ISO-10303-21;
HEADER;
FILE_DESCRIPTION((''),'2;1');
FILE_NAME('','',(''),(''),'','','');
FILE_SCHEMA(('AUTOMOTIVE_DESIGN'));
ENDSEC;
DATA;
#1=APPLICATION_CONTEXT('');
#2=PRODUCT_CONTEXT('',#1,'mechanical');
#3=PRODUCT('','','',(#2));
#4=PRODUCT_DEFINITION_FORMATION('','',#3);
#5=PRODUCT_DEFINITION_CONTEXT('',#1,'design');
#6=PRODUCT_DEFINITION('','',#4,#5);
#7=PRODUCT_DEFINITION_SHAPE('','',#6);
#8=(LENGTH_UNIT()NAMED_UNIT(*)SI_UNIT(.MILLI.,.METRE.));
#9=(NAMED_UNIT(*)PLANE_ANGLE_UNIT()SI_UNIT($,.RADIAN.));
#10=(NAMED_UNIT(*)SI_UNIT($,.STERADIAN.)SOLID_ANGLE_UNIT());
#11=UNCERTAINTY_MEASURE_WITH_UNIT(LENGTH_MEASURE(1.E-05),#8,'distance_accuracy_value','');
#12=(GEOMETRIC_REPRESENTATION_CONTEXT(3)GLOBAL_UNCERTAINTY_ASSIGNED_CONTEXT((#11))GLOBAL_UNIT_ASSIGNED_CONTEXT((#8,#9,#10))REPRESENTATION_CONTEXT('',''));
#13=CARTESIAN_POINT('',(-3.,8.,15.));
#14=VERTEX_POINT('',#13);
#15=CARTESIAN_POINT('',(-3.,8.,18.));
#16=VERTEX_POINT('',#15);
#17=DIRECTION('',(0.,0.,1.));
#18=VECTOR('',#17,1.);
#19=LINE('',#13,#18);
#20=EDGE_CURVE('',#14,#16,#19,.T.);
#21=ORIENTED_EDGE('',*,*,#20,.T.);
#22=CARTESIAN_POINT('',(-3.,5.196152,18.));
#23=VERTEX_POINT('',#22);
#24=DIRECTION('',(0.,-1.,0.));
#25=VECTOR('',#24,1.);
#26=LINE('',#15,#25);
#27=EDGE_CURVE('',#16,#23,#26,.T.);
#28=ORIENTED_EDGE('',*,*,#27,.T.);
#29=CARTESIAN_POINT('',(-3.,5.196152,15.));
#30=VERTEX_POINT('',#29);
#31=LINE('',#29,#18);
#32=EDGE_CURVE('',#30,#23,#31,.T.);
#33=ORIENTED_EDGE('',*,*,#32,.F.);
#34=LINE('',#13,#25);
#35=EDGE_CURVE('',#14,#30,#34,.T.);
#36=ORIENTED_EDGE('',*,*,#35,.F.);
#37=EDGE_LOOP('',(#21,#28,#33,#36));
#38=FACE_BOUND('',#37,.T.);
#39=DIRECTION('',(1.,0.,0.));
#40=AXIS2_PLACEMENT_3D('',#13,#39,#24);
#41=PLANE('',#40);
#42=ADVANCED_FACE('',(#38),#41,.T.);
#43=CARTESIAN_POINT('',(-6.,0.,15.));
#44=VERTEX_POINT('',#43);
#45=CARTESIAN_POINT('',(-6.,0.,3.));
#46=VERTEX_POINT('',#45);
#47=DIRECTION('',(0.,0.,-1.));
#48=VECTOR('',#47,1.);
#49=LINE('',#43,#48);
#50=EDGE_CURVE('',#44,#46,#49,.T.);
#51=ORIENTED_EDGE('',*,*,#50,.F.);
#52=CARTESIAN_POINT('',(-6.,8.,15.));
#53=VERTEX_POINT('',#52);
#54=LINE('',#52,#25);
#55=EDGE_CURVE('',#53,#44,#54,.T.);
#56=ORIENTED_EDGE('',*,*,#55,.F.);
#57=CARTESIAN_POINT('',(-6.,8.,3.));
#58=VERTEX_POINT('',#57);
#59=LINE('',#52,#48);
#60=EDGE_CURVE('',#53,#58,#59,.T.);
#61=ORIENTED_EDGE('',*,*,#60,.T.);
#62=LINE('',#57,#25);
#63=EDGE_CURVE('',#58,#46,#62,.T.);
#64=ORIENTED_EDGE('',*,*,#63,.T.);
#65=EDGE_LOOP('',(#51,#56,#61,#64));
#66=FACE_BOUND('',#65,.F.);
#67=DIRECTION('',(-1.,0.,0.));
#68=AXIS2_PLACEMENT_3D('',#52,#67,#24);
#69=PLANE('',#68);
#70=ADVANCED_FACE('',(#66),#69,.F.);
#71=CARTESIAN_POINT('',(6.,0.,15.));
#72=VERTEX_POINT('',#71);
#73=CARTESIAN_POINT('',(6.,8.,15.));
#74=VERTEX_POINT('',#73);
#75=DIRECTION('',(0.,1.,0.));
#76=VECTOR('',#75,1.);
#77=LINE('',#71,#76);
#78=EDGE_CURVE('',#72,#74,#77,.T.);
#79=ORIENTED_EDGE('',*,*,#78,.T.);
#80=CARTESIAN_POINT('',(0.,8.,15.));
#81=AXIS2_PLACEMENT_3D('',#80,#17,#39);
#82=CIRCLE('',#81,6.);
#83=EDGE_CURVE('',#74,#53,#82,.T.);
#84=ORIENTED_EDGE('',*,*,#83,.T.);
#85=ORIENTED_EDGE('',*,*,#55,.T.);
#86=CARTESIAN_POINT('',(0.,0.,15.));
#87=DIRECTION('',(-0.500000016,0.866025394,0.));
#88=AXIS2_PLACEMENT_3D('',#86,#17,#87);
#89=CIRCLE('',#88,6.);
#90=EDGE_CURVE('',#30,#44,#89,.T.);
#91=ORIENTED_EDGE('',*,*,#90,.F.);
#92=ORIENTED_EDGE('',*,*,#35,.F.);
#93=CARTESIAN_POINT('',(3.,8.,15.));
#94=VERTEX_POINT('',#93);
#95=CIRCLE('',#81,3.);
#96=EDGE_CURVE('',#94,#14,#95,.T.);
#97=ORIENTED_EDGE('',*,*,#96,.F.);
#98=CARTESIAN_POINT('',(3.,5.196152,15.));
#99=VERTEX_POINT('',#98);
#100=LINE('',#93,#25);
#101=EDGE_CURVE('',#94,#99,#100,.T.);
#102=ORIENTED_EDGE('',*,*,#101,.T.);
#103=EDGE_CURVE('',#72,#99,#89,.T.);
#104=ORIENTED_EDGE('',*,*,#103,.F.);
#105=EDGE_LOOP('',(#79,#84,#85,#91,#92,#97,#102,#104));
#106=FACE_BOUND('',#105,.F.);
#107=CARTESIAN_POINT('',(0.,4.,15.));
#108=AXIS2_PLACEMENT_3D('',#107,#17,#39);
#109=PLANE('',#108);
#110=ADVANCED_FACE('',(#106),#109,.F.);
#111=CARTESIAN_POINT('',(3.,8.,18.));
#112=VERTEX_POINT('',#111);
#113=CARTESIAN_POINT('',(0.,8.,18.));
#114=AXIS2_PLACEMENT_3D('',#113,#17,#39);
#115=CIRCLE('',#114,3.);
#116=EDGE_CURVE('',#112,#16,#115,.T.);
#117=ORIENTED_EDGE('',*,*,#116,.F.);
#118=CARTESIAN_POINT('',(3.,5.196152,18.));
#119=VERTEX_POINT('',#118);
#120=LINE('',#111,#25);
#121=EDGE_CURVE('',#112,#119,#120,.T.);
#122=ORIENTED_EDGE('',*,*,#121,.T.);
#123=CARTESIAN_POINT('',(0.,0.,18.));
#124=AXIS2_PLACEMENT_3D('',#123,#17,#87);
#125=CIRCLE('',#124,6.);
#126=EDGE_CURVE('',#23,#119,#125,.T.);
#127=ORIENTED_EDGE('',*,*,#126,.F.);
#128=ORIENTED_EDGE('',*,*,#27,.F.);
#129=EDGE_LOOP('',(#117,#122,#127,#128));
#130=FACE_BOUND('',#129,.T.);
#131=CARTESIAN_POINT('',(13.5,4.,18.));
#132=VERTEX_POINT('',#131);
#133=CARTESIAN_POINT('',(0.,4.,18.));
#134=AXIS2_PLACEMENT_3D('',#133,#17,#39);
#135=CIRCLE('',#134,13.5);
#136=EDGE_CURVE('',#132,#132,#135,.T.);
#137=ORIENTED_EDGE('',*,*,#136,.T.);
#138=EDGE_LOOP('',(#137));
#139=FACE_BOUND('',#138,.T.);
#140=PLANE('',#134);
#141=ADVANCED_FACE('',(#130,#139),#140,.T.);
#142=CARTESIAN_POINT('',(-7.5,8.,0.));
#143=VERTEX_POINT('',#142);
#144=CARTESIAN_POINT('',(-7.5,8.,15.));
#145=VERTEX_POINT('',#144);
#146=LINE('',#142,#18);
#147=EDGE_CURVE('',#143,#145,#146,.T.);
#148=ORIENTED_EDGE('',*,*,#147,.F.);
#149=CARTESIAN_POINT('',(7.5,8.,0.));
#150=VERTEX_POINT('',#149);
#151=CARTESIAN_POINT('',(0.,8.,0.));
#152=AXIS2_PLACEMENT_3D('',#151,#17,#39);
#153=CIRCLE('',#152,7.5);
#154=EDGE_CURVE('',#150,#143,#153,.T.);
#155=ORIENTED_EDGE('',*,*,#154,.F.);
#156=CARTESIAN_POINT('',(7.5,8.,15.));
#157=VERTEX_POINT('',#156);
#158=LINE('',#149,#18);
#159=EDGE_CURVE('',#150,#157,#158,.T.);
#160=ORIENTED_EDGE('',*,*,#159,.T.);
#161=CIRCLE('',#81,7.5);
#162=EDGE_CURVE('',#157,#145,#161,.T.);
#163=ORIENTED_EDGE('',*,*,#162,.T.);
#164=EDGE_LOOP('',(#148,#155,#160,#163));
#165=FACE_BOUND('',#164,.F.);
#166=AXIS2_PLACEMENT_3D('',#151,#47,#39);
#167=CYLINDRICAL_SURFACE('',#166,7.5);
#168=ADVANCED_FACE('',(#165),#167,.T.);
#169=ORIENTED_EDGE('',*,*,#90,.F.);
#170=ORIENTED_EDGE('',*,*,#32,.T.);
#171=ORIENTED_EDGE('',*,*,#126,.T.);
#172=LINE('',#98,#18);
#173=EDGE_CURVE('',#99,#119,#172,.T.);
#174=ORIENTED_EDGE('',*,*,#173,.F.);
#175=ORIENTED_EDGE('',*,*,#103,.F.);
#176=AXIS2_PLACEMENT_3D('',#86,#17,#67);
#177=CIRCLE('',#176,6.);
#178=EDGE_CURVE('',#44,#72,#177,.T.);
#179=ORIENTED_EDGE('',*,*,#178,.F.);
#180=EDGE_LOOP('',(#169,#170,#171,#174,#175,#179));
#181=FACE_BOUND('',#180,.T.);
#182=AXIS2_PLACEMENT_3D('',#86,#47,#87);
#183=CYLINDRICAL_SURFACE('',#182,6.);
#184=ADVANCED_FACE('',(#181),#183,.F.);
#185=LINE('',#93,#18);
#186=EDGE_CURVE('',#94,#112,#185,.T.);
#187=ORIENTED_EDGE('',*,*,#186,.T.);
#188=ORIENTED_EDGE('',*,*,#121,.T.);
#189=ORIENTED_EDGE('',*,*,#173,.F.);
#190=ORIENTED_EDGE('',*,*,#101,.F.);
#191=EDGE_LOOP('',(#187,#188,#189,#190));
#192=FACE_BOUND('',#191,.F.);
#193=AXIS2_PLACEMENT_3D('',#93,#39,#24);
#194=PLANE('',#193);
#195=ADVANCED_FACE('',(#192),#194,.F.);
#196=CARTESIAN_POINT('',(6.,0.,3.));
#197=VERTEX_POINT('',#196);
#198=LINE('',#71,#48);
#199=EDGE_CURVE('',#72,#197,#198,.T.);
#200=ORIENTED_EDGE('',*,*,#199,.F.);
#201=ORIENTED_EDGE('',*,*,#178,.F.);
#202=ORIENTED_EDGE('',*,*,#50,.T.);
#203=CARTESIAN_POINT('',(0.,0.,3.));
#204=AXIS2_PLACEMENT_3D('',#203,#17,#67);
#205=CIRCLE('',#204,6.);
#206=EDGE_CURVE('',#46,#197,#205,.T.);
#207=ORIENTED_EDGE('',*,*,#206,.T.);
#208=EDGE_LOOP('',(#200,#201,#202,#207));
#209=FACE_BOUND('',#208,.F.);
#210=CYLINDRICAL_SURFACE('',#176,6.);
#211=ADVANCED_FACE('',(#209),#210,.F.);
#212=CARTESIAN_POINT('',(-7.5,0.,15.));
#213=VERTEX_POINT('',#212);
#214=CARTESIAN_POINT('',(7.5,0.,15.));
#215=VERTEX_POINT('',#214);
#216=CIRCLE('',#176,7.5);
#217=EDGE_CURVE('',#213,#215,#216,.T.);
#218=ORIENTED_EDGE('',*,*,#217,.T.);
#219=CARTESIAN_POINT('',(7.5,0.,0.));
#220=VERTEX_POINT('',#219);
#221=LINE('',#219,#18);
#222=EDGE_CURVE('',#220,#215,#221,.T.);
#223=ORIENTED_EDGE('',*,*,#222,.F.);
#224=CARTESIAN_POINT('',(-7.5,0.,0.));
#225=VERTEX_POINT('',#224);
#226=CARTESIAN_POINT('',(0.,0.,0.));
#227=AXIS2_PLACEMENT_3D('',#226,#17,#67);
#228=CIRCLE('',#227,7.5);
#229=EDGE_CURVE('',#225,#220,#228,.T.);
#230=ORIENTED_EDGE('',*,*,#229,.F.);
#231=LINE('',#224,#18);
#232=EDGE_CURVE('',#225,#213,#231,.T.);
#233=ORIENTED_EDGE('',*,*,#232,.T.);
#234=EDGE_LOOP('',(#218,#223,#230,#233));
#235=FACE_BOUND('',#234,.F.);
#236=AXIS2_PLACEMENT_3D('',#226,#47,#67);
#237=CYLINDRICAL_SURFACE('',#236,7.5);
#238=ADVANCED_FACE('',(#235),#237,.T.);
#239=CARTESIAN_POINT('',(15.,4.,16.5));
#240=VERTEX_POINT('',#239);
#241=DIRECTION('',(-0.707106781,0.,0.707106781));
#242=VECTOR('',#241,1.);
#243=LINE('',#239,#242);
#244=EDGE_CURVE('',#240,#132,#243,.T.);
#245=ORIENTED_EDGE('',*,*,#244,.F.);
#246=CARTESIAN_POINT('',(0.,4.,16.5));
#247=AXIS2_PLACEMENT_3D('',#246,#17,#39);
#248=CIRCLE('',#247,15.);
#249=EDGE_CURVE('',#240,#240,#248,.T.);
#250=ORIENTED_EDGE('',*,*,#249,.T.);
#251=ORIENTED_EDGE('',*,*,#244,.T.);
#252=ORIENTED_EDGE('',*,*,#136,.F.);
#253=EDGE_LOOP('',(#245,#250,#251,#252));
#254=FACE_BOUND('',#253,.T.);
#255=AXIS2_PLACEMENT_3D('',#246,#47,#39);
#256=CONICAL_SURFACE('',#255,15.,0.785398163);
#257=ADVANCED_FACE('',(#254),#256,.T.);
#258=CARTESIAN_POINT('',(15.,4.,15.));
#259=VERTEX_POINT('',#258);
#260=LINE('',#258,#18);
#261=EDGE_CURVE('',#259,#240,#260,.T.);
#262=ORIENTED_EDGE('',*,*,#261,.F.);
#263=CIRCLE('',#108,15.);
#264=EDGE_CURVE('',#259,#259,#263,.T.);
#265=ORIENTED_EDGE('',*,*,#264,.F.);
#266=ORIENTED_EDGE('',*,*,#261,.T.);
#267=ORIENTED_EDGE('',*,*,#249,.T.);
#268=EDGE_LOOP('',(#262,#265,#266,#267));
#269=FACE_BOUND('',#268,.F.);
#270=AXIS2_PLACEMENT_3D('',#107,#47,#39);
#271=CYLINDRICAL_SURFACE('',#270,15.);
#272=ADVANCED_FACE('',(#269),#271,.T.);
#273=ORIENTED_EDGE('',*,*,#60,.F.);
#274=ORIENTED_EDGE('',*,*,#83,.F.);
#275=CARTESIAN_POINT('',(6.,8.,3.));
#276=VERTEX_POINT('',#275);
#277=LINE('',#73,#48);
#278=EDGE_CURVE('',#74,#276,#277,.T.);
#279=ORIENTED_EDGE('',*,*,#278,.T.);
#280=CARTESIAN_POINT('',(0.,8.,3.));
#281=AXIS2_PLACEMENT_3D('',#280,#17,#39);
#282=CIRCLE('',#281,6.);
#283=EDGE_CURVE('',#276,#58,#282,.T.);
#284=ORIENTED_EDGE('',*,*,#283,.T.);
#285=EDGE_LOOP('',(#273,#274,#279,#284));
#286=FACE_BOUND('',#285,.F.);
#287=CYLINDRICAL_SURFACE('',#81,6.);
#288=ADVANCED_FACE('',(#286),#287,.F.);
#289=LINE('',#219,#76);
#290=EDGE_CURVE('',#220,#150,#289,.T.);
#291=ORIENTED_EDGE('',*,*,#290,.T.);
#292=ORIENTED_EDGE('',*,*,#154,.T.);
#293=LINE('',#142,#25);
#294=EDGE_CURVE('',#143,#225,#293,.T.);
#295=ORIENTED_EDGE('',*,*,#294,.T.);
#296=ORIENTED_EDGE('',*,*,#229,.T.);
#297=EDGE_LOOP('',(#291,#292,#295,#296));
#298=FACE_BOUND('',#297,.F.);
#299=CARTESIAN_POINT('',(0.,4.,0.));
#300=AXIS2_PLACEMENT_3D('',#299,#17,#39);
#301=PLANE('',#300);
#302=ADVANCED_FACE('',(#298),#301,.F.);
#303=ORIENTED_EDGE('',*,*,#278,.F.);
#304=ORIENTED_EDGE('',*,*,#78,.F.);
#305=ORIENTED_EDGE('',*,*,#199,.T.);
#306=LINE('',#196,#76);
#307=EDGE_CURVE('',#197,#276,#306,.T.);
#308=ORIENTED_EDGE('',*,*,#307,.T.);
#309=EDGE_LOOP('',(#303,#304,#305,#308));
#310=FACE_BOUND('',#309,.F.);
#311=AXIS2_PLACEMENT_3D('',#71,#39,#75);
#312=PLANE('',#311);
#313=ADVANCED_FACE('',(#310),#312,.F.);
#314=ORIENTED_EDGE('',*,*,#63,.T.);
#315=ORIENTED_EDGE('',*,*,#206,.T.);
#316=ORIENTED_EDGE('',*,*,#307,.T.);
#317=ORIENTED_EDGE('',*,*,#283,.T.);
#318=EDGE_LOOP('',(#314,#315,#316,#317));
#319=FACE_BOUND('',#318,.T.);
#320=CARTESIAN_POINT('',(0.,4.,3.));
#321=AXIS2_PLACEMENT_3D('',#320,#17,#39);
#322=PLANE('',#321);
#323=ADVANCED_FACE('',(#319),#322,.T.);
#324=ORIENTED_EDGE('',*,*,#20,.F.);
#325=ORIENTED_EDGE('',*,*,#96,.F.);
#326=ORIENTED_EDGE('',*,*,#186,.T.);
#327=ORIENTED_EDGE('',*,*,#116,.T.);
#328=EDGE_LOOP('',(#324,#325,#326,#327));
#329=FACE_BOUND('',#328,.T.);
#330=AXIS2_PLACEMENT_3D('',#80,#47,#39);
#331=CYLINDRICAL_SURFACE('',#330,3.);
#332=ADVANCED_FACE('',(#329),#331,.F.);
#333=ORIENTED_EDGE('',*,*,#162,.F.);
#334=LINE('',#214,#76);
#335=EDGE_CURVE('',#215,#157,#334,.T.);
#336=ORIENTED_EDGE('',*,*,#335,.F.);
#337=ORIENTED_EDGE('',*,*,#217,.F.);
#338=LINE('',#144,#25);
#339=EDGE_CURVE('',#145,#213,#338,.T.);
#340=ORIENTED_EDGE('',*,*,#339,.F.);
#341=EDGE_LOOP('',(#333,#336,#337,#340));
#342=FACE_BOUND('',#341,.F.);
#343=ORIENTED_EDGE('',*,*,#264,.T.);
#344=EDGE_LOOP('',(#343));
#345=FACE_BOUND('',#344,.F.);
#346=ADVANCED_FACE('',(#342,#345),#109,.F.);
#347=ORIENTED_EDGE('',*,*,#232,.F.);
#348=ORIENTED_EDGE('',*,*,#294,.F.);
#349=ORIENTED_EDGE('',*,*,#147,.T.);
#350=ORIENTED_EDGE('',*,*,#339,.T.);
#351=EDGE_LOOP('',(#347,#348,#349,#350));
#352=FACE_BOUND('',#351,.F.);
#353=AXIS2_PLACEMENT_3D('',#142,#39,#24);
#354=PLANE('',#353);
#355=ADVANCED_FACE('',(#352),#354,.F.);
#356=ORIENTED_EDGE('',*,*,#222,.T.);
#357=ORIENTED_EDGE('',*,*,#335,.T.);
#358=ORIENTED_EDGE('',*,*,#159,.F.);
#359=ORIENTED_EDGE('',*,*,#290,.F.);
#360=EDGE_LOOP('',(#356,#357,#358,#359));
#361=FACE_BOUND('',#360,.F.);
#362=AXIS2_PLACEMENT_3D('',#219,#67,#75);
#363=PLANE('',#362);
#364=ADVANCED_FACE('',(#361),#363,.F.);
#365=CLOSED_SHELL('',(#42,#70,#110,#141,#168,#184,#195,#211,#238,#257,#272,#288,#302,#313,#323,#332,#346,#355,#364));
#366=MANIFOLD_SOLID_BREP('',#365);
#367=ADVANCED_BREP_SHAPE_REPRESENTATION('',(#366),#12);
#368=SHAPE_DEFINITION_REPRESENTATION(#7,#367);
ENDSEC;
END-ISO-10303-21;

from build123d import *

# Parameters (mm, degrees)
PAD_DEPTH    = 15
POCKET_DEPTH = 12
SKETCH002_R  = 15
PAD001_DEPTH = 3
CHAMFER_SIZE = 1.5


with BuildPart() as part:
    # Sketch → Pad (new body)
    with BuildSketch(Plane.XY):
        with BuildLine():
            ThreePointArc((7.5, 8), (0, 15.5), (-7.5, 8))
            Line((-7.5, 8), (-7.5, 0))
            ThreePointArc((-7.5, 0), (0, -7.5), (7.5, 0))
            Line((7.5, 0), (7.5, 8))
        make_face()
    extrude(amount=PAD_DEPTH)

    # Sketch001 (on Face6 of Pad) → Pocket (cut)
    with BuildSketch(Plane.XY.offset(15)):
        with BuildLine():
            ThreePointArc((-6, 0), (0, -6), (6, 0))
            Line((6, 0), (6, 8))
            ThreePointArc((6, 8), (0, 14), (-6, 8))
            Line((-6, 8), (-6, 0))
        make_face()
    extrude(amount=-POCKET_DEPTH, mode=Mode.SUBTRACT)

    # Sketch002 (on Face5 of Pocket) → Pad001 (join)
    with BuildSketch(Plane.XY.offset(15)):
        with Locations((0, 4)):
            Circle(SKETCH002_R)
        with BuildLine():
            ThreePointArc((-3, 5.196152), (0, -6), (3, 5.196152))
            Line((3, 8), (3, 5.196152))
            ThreePointArc((3, 8), (0, 11), (-3, 8))
            Line((-3, 8), (-3, 5.196152))
        make_face(mode=Mode.SUBTRACT)
    extrude(amount=PAD001_DEPTH)

    # Chamfer
    chamfer_edges = [part.edges().sort_by_distance(p)[0] for p in [
        (-15, 4, 18),
    ]]
    chamfer(chamfer_edges, length=CHAMFER_SIZE)


solid = part.part
